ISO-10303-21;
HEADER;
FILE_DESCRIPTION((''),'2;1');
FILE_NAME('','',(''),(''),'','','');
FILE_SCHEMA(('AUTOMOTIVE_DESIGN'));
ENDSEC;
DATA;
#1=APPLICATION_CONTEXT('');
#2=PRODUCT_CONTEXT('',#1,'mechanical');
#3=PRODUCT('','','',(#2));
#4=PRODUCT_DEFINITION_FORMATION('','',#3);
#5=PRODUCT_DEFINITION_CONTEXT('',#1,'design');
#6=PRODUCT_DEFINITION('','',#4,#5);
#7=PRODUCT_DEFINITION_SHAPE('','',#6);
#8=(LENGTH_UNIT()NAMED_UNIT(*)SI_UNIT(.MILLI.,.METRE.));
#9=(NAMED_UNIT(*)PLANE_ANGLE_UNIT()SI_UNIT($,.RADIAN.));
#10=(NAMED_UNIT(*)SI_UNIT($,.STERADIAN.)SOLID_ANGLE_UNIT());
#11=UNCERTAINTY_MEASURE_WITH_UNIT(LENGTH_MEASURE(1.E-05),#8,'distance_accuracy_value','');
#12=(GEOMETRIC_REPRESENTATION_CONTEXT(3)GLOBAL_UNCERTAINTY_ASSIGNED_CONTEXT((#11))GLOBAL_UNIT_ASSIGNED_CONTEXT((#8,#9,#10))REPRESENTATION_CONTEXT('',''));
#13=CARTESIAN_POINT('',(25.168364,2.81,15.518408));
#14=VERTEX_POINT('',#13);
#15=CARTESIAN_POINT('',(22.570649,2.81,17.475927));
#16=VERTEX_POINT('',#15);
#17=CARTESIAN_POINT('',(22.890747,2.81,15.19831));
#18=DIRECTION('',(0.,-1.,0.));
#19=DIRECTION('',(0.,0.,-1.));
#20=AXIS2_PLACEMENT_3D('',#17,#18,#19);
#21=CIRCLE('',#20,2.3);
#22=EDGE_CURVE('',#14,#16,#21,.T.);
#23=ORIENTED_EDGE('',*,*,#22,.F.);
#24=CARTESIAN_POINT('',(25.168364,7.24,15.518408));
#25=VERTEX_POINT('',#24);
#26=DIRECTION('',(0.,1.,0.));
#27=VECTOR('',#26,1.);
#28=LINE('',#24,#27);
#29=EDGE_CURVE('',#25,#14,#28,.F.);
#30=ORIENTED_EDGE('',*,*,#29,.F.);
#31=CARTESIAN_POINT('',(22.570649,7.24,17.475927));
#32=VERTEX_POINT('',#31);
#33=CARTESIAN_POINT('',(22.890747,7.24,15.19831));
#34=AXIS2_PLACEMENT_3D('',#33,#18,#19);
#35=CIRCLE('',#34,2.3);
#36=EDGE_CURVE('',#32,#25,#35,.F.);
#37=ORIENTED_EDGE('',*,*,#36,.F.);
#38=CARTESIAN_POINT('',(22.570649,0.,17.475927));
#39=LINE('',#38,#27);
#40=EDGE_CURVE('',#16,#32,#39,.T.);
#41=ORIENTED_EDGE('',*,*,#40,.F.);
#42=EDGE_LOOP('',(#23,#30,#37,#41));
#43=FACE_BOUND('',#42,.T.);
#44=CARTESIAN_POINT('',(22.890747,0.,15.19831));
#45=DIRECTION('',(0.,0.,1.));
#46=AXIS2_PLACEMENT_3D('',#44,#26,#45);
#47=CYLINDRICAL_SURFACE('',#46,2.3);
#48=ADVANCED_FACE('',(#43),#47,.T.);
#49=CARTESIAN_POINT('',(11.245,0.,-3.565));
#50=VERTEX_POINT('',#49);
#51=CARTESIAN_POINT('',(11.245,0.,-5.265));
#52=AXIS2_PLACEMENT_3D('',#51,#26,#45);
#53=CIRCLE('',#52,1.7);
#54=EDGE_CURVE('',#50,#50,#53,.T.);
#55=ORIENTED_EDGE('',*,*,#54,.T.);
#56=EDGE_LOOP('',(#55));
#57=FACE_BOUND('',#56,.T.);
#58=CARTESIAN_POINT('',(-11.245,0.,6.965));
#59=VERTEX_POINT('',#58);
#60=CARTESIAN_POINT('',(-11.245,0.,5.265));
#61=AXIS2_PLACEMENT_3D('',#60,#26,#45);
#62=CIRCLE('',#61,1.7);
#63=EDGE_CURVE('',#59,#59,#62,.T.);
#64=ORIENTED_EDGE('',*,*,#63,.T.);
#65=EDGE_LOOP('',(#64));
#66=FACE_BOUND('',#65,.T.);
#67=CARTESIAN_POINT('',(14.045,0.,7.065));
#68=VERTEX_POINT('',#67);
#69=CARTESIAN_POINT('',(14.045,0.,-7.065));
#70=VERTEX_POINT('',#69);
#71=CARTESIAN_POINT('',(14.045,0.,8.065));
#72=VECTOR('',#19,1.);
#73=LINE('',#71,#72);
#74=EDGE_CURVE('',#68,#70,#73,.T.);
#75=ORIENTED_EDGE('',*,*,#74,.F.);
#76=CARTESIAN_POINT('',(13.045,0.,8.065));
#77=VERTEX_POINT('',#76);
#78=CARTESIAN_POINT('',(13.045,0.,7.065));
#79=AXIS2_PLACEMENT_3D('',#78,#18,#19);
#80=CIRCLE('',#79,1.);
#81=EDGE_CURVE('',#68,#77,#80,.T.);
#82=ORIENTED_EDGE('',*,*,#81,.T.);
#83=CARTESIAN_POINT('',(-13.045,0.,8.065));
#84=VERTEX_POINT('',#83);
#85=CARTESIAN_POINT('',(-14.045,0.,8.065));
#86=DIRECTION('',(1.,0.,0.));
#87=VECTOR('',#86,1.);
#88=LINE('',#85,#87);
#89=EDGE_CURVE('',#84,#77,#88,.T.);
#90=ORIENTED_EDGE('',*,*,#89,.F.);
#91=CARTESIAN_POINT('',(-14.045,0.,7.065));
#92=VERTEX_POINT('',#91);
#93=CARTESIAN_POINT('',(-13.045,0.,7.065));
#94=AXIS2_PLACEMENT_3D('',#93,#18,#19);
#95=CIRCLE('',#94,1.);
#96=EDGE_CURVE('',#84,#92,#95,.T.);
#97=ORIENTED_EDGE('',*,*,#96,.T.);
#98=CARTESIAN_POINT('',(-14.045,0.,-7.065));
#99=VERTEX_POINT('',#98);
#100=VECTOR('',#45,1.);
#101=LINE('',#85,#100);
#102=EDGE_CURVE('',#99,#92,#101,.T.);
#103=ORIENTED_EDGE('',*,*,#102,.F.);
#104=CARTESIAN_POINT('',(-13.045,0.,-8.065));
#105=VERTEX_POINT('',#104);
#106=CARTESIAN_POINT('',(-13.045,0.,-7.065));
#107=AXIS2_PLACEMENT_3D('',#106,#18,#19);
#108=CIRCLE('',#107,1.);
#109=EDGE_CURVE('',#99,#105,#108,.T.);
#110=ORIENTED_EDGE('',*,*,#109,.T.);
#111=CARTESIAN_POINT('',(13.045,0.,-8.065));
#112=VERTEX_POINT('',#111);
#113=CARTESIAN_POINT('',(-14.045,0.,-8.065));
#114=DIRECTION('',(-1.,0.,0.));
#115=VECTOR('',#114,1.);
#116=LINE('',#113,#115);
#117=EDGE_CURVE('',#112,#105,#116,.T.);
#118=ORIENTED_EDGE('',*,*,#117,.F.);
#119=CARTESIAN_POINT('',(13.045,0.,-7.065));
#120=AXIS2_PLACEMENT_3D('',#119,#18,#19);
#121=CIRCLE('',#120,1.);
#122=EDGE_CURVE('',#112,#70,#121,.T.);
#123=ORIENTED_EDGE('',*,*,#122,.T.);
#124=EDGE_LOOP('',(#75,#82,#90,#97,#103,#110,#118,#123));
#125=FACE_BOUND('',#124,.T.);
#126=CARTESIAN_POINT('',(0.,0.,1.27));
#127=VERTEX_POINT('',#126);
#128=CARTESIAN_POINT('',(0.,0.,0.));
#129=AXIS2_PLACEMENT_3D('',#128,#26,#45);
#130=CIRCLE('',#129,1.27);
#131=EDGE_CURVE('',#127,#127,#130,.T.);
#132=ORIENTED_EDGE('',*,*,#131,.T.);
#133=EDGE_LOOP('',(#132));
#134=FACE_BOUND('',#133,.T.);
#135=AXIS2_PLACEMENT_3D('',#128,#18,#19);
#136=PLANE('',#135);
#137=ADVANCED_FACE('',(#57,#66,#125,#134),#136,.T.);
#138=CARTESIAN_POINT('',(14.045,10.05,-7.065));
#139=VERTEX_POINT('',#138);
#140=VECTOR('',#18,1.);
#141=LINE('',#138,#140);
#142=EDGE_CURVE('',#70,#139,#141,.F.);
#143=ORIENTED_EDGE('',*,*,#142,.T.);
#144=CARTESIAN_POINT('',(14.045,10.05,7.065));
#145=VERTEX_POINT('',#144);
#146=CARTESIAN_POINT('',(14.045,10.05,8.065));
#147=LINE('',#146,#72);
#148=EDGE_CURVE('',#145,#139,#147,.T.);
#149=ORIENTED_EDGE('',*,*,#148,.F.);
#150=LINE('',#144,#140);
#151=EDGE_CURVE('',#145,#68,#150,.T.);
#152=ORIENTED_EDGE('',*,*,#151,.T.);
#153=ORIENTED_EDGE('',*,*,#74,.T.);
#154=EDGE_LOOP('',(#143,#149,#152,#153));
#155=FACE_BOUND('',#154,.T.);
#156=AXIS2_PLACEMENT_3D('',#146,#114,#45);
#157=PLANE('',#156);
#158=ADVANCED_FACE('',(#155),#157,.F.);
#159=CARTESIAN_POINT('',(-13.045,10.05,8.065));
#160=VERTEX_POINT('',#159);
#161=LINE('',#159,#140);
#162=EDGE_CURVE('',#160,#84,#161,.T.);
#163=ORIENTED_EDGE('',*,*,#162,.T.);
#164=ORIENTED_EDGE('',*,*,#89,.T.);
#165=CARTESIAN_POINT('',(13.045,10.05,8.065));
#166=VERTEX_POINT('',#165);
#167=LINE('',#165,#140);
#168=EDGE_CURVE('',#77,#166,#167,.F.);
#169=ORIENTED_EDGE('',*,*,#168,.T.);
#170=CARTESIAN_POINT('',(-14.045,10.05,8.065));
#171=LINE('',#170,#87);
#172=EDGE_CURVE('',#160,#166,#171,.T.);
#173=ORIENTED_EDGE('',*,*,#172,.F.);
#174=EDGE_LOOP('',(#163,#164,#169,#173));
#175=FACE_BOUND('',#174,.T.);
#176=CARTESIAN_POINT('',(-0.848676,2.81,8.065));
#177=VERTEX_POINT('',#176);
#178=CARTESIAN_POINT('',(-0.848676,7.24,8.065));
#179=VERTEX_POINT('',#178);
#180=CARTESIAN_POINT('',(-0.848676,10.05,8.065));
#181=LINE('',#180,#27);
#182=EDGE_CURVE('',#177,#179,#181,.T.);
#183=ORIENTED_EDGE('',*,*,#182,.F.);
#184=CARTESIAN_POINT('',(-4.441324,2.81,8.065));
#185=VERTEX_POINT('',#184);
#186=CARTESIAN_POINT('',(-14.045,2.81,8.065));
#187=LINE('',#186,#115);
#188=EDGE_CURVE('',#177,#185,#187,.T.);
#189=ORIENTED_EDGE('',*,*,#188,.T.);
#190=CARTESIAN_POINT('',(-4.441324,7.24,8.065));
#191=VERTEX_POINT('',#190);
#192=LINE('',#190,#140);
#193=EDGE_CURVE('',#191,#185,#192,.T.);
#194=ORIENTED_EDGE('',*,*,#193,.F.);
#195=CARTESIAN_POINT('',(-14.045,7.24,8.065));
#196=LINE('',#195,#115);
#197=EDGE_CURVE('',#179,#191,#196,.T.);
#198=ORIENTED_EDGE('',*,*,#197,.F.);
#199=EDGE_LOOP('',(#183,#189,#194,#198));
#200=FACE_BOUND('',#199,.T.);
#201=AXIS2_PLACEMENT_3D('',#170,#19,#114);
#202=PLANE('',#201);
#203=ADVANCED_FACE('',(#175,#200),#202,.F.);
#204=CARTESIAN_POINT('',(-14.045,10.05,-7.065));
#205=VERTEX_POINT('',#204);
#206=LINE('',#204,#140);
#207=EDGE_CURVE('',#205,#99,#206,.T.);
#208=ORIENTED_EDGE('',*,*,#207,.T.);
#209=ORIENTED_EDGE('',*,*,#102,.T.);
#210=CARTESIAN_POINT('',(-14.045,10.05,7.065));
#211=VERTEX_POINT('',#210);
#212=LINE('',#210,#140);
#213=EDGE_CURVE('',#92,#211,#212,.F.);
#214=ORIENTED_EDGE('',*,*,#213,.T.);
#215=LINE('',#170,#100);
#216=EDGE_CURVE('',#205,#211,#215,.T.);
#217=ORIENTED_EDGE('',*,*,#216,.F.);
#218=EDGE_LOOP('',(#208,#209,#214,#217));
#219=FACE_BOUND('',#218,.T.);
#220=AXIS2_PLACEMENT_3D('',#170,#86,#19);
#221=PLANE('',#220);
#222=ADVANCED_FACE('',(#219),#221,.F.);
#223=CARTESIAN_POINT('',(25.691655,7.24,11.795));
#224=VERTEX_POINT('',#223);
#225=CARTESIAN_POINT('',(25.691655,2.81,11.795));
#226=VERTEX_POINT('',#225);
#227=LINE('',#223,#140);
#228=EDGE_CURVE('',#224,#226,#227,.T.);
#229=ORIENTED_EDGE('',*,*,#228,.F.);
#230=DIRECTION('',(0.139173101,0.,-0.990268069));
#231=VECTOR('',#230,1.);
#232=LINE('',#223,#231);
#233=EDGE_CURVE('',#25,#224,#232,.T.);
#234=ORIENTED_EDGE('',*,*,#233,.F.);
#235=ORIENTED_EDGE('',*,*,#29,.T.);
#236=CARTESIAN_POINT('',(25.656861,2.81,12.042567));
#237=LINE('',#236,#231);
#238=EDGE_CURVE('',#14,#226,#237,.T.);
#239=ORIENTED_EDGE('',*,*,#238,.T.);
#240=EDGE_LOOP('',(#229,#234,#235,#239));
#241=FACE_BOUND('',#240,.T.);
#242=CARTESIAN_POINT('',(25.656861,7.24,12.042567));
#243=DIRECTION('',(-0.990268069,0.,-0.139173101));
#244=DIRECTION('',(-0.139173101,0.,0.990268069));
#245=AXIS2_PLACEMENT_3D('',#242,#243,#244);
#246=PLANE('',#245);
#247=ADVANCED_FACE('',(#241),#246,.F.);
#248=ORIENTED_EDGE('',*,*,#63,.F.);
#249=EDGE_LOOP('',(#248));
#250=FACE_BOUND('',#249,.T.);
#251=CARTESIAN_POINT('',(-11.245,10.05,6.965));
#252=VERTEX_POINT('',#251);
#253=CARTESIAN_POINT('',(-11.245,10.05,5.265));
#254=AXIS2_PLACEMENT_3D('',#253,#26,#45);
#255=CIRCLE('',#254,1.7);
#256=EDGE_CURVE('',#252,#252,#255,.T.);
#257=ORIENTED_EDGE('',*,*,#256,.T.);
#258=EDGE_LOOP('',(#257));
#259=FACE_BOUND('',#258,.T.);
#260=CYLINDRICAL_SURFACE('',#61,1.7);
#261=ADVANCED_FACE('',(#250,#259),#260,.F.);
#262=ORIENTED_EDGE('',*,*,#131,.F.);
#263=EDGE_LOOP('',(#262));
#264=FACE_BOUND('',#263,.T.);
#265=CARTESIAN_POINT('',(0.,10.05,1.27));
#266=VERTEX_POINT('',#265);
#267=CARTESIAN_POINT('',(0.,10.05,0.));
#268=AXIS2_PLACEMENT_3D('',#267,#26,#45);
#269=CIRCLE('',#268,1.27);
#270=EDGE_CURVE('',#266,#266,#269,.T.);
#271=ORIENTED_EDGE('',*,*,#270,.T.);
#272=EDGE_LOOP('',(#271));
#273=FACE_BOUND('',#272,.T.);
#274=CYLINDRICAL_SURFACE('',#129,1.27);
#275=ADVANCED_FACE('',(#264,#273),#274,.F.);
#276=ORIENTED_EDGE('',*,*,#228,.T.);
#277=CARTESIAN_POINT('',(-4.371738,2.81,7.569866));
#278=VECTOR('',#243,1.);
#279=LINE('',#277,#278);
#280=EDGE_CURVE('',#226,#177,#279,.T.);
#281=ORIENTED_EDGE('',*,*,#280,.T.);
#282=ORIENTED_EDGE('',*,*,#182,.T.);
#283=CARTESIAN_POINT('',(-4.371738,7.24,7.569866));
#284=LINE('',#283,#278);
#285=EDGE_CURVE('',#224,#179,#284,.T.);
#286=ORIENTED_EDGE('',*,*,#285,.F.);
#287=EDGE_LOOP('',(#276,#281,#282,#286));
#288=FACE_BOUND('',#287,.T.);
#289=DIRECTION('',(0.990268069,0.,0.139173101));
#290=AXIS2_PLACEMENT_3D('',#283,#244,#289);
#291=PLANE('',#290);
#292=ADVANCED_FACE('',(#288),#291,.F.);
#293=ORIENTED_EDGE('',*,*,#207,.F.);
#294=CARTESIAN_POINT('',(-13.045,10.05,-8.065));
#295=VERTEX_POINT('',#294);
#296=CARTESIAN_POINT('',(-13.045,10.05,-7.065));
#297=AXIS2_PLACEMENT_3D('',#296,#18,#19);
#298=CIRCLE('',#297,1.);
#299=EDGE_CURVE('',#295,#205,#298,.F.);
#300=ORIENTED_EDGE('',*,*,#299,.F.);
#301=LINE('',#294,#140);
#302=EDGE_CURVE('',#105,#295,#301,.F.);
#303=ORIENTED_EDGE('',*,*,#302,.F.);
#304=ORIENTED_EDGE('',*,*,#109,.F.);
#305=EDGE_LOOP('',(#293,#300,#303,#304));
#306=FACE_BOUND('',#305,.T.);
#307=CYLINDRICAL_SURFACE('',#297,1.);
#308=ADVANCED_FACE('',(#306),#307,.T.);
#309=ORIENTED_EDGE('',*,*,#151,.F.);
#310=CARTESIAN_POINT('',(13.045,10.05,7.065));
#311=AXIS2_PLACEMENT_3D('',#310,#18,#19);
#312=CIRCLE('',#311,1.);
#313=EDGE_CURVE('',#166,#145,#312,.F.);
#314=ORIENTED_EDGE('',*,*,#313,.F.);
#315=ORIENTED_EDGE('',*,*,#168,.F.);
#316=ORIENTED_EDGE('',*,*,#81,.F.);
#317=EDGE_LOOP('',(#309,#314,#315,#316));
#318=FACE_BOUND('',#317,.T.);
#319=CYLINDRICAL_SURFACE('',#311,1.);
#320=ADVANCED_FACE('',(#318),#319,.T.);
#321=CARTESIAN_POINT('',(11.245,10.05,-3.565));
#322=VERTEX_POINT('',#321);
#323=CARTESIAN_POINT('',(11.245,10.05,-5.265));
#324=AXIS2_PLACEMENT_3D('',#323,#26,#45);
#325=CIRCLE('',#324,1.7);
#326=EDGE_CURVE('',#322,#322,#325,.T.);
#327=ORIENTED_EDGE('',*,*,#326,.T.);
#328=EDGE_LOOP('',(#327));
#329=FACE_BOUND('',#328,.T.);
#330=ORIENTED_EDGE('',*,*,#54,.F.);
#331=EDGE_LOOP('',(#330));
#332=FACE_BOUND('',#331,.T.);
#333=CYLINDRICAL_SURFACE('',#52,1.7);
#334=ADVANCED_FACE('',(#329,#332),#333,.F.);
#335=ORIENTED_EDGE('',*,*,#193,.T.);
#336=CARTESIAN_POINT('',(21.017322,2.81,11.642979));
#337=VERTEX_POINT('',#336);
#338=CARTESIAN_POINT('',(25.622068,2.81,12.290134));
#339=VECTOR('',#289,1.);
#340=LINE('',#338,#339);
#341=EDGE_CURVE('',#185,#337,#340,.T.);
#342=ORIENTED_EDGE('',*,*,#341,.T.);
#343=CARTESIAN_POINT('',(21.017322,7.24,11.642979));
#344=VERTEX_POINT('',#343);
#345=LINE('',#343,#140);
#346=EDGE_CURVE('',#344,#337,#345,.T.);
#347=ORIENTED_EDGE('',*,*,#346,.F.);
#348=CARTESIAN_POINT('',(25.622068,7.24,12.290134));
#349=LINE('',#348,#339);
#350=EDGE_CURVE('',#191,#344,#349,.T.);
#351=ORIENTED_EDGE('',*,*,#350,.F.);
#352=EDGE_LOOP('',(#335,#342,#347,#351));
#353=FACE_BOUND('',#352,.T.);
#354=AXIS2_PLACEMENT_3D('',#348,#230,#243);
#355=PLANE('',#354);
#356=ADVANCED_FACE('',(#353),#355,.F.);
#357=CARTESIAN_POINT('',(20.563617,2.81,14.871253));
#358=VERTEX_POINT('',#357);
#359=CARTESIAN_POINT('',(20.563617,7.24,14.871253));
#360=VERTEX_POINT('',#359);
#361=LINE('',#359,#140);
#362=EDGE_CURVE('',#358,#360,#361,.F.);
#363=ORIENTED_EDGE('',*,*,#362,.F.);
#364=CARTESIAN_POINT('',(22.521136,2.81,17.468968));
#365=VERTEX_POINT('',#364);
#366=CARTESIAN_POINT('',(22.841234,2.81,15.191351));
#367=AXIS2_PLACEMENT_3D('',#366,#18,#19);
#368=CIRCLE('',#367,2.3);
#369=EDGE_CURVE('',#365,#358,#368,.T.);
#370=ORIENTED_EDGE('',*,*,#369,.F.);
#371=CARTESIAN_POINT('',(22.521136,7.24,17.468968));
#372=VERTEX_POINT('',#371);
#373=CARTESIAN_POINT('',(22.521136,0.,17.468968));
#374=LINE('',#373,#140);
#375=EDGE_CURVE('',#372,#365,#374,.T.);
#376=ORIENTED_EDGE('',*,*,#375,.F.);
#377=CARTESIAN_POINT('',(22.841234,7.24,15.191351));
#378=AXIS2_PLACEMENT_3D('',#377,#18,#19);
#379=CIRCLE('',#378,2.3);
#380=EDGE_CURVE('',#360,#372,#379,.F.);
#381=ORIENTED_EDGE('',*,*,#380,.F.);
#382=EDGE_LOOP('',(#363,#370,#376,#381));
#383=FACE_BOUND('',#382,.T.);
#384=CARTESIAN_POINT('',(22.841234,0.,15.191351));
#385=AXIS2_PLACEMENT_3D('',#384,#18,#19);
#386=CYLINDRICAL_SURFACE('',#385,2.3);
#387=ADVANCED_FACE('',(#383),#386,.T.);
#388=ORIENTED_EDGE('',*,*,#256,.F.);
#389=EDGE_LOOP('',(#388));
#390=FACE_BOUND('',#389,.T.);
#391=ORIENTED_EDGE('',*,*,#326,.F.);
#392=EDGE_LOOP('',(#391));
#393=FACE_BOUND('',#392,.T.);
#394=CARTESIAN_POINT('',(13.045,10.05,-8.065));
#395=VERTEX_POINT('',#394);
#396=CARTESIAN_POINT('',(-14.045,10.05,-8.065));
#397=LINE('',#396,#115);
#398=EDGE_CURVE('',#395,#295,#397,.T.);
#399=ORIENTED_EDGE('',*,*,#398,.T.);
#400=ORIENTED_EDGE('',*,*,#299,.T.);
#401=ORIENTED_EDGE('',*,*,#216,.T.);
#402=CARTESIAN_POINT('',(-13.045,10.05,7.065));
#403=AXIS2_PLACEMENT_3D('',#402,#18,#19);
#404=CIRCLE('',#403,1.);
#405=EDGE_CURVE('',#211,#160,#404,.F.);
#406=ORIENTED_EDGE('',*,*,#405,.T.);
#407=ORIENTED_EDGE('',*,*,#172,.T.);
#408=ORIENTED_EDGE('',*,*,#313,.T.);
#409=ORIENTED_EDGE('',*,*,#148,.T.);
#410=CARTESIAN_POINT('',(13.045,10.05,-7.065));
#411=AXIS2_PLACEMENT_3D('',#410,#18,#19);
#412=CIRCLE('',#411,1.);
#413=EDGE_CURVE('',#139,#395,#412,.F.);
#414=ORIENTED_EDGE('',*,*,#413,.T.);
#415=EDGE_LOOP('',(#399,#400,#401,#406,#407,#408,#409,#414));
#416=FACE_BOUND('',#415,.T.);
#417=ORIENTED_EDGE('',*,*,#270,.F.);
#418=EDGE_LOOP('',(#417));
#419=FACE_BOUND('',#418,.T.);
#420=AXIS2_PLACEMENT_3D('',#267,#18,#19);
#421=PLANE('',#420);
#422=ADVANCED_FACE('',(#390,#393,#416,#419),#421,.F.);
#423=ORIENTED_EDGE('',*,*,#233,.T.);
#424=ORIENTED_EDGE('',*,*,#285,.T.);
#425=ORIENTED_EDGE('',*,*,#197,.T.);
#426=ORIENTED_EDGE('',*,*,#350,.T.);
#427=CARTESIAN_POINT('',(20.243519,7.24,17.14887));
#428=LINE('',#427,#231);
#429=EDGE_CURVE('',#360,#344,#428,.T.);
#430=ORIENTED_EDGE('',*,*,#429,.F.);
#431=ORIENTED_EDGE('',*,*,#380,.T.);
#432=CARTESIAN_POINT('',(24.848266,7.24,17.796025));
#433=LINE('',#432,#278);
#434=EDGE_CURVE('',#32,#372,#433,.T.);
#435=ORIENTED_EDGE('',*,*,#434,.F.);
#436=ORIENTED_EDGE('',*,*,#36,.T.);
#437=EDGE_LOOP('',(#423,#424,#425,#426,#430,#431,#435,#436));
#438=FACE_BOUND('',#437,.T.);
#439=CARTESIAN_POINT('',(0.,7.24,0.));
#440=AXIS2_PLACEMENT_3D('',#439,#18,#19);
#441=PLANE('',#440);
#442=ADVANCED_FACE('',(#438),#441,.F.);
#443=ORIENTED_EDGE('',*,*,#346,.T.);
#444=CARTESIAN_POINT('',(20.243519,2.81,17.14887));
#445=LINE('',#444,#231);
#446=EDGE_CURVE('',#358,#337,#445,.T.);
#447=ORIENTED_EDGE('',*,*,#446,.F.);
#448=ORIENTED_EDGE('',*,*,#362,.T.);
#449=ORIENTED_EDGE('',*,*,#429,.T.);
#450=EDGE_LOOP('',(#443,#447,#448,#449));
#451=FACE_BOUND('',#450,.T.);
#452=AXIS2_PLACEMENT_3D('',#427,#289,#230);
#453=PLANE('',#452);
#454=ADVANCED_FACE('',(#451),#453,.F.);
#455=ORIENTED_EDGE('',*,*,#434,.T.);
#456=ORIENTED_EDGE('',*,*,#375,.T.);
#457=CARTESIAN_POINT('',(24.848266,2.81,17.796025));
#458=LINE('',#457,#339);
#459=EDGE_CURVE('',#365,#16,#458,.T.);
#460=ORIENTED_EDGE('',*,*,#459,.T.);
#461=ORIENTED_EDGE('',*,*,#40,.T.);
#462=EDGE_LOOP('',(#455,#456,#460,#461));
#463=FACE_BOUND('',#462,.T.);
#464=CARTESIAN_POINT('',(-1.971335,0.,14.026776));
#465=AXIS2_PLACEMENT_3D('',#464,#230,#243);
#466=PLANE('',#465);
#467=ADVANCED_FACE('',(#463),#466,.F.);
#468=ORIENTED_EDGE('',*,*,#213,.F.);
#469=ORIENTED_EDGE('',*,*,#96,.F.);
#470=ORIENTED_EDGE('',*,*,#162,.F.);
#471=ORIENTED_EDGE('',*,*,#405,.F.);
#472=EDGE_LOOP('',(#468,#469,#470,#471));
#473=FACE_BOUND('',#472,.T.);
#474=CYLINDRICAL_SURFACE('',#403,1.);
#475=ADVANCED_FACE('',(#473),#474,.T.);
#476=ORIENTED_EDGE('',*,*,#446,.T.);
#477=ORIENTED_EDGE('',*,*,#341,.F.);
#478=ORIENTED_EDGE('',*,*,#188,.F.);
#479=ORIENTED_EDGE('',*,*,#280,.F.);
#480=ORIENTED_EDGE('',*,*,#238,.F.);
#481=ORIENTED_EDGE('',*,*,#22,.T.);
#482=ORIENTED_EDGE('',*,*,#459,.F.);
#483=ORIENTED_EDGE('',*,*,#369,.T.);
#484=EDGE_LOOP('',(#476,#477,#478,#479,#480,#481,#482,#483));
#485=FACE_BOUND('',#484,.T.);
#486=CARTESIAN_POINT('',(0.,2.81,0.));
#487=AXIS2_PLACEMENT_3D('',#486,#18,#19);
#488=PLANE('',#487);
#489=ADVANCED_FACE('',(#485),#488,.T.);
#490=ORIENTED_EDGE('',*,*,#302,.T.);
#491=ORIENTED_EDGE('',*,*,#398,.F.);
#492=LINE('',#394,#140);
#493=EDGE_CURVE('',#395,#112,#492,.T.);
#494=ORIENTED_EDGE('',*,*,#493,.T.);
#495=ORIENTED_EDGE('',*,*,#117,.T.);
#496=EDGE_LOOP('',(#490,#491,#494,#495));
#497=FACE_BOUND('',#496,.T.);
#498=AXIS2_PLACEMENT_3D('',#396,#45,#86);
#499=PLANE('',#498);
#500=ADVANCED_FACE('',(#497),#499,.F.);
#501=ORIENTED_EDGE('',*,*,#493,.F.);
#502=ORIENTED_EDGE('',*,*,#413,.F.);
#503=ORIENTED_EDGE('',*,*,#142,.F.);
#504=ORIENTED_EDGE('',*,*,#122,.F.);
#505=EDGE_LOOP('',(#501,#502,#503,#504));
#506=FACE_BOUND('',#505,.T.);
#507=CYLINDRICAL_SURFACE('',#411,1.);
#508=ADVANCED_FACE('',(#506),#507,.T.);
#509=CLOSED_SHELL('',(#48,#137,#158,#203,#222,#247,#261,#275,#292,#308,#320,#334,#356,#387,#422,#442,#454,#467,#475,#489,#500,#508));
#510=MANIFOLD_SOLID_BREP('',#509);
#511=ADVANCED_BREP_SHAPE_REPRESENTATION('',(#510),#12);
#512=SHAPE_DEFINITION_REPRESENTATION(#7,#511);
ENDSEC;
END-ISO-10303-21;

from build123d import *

# Parameters (mm, degrees)
SKETCH1_W               = 28.09
SKETCH1_H               = 16.13
BOSS_EXTRUDE1_DEPTH     = 10.05
BOSS_EXTRUDE2_DEPTH     = 2.215
FILLET1_R               = 1
CUT_EXTRUDE1_DEPTH      = 29.919874566
CUT_EXTRUDE1_DEPTH_BACK = 29.919874566
SKETCH4_R               = 1.7
SKETCH4_R_2             = 1.27
SKETCH6_W               = 4.65
SKETCH6_H               = 4.43
BOSS_EXTRUDE3_DEPTH     = 5.56
FILLET2_R               = 2.3


with BuildPart() as part:
    # Sketch1 → Boss-Extrude1 (new body)
    with BuildSketch(Plane(origin=(0, 0, 0), x_dir=(1, 0, 0), z_dir=(0, 1, 0))):
        Rectangle(SKETCH1_W, SKETCH1_H)
    extrude(amount=BOSS_EXTRUDE1_DEPTH)

    # Sketch3 → Boss-Extrude2 (add, symmetric)
    with BuildSketch(Plane(origin=(0, 5.025, 0), x_dir=(1, 0, 0), z_dir=(0, 1, 0))):
        Polygon((25.656861405, -12.042567225), (25.622068129, -12.290134243), (-4.441324134, -8.065), (-4.371737583, -7.569865966), (25.69165468, -11.795000208), align=None)
    extrude(amount=BOSS_EXTRUDE2_DEPTH, both=True)

    # Fillet1
    fillet1_edges = [part.edges().sort_by_distance(p)[0] for p in [
        (14.045, 5.025, 8.065),
        (-14.045, 5.025, 8.065),
        (-14.045, 5.025, -8.065),
        (14.045, 5.025, -8.065),
    ]]
    fillet(fillet1_edges, radius=FILLET1_R)

    # Sketch4 → Cut-Extrude1 (cut, two sides: drawn at the far end of the back side and taken through both)
    with BuildSketch(Plane(origin=(0, 5.025, 0), x_dir=(1, 0, 0), z_dir=(0, 1, 0)).offset(-CUT_EXTRUDE1_DEPTH_BACK)):
        with Locations(Location((11.245, 5.265, 0), (0, 0, 270))):
            Circle(SKETCH4_R)
        with Locations(Location((-11.245, -5.265, 0), (0, 0, 270))):
            Circle(SKETCH4_R)
        with Locations(Location((0, 0, 0), (0, 0, 270))):
            Circle(SKETCH4_R_2)
    extrude(amount=CUT_EXTRUDE1_DEPTH + CUT_EXTRUDE1_DEPTH_BACK, mode=Mode.SUBTRACT)

    # Sketch6 → Boss-Extrude3 (add)
    with BuildSketch(Plane(origin=(-1.19753232, 0, 8.520885209), x_dir=(0.9902680687415704, 0, 0.13917310096006527), z_dir=(-0.13917310096006527, 0, 0.9902680687415704))):
        with Locations((24.758172017, 5.025)):
            Rectangle(SKETCH6_W, SKETCH6_H)
    extrude(amount=BOSS_EXTRUDE3_DEPTH)

    # Fillet2
    fillet2_edges = [part.edges().sort_by_distance(p)[0] for p in [
        (24.848265688, 5.025, 17.796024705),
        (20.243519168, 5.025, 17.148869785),
    ]]
    fillet(fillet2_edges, radius=FILLET2_R)


solid = part.part
